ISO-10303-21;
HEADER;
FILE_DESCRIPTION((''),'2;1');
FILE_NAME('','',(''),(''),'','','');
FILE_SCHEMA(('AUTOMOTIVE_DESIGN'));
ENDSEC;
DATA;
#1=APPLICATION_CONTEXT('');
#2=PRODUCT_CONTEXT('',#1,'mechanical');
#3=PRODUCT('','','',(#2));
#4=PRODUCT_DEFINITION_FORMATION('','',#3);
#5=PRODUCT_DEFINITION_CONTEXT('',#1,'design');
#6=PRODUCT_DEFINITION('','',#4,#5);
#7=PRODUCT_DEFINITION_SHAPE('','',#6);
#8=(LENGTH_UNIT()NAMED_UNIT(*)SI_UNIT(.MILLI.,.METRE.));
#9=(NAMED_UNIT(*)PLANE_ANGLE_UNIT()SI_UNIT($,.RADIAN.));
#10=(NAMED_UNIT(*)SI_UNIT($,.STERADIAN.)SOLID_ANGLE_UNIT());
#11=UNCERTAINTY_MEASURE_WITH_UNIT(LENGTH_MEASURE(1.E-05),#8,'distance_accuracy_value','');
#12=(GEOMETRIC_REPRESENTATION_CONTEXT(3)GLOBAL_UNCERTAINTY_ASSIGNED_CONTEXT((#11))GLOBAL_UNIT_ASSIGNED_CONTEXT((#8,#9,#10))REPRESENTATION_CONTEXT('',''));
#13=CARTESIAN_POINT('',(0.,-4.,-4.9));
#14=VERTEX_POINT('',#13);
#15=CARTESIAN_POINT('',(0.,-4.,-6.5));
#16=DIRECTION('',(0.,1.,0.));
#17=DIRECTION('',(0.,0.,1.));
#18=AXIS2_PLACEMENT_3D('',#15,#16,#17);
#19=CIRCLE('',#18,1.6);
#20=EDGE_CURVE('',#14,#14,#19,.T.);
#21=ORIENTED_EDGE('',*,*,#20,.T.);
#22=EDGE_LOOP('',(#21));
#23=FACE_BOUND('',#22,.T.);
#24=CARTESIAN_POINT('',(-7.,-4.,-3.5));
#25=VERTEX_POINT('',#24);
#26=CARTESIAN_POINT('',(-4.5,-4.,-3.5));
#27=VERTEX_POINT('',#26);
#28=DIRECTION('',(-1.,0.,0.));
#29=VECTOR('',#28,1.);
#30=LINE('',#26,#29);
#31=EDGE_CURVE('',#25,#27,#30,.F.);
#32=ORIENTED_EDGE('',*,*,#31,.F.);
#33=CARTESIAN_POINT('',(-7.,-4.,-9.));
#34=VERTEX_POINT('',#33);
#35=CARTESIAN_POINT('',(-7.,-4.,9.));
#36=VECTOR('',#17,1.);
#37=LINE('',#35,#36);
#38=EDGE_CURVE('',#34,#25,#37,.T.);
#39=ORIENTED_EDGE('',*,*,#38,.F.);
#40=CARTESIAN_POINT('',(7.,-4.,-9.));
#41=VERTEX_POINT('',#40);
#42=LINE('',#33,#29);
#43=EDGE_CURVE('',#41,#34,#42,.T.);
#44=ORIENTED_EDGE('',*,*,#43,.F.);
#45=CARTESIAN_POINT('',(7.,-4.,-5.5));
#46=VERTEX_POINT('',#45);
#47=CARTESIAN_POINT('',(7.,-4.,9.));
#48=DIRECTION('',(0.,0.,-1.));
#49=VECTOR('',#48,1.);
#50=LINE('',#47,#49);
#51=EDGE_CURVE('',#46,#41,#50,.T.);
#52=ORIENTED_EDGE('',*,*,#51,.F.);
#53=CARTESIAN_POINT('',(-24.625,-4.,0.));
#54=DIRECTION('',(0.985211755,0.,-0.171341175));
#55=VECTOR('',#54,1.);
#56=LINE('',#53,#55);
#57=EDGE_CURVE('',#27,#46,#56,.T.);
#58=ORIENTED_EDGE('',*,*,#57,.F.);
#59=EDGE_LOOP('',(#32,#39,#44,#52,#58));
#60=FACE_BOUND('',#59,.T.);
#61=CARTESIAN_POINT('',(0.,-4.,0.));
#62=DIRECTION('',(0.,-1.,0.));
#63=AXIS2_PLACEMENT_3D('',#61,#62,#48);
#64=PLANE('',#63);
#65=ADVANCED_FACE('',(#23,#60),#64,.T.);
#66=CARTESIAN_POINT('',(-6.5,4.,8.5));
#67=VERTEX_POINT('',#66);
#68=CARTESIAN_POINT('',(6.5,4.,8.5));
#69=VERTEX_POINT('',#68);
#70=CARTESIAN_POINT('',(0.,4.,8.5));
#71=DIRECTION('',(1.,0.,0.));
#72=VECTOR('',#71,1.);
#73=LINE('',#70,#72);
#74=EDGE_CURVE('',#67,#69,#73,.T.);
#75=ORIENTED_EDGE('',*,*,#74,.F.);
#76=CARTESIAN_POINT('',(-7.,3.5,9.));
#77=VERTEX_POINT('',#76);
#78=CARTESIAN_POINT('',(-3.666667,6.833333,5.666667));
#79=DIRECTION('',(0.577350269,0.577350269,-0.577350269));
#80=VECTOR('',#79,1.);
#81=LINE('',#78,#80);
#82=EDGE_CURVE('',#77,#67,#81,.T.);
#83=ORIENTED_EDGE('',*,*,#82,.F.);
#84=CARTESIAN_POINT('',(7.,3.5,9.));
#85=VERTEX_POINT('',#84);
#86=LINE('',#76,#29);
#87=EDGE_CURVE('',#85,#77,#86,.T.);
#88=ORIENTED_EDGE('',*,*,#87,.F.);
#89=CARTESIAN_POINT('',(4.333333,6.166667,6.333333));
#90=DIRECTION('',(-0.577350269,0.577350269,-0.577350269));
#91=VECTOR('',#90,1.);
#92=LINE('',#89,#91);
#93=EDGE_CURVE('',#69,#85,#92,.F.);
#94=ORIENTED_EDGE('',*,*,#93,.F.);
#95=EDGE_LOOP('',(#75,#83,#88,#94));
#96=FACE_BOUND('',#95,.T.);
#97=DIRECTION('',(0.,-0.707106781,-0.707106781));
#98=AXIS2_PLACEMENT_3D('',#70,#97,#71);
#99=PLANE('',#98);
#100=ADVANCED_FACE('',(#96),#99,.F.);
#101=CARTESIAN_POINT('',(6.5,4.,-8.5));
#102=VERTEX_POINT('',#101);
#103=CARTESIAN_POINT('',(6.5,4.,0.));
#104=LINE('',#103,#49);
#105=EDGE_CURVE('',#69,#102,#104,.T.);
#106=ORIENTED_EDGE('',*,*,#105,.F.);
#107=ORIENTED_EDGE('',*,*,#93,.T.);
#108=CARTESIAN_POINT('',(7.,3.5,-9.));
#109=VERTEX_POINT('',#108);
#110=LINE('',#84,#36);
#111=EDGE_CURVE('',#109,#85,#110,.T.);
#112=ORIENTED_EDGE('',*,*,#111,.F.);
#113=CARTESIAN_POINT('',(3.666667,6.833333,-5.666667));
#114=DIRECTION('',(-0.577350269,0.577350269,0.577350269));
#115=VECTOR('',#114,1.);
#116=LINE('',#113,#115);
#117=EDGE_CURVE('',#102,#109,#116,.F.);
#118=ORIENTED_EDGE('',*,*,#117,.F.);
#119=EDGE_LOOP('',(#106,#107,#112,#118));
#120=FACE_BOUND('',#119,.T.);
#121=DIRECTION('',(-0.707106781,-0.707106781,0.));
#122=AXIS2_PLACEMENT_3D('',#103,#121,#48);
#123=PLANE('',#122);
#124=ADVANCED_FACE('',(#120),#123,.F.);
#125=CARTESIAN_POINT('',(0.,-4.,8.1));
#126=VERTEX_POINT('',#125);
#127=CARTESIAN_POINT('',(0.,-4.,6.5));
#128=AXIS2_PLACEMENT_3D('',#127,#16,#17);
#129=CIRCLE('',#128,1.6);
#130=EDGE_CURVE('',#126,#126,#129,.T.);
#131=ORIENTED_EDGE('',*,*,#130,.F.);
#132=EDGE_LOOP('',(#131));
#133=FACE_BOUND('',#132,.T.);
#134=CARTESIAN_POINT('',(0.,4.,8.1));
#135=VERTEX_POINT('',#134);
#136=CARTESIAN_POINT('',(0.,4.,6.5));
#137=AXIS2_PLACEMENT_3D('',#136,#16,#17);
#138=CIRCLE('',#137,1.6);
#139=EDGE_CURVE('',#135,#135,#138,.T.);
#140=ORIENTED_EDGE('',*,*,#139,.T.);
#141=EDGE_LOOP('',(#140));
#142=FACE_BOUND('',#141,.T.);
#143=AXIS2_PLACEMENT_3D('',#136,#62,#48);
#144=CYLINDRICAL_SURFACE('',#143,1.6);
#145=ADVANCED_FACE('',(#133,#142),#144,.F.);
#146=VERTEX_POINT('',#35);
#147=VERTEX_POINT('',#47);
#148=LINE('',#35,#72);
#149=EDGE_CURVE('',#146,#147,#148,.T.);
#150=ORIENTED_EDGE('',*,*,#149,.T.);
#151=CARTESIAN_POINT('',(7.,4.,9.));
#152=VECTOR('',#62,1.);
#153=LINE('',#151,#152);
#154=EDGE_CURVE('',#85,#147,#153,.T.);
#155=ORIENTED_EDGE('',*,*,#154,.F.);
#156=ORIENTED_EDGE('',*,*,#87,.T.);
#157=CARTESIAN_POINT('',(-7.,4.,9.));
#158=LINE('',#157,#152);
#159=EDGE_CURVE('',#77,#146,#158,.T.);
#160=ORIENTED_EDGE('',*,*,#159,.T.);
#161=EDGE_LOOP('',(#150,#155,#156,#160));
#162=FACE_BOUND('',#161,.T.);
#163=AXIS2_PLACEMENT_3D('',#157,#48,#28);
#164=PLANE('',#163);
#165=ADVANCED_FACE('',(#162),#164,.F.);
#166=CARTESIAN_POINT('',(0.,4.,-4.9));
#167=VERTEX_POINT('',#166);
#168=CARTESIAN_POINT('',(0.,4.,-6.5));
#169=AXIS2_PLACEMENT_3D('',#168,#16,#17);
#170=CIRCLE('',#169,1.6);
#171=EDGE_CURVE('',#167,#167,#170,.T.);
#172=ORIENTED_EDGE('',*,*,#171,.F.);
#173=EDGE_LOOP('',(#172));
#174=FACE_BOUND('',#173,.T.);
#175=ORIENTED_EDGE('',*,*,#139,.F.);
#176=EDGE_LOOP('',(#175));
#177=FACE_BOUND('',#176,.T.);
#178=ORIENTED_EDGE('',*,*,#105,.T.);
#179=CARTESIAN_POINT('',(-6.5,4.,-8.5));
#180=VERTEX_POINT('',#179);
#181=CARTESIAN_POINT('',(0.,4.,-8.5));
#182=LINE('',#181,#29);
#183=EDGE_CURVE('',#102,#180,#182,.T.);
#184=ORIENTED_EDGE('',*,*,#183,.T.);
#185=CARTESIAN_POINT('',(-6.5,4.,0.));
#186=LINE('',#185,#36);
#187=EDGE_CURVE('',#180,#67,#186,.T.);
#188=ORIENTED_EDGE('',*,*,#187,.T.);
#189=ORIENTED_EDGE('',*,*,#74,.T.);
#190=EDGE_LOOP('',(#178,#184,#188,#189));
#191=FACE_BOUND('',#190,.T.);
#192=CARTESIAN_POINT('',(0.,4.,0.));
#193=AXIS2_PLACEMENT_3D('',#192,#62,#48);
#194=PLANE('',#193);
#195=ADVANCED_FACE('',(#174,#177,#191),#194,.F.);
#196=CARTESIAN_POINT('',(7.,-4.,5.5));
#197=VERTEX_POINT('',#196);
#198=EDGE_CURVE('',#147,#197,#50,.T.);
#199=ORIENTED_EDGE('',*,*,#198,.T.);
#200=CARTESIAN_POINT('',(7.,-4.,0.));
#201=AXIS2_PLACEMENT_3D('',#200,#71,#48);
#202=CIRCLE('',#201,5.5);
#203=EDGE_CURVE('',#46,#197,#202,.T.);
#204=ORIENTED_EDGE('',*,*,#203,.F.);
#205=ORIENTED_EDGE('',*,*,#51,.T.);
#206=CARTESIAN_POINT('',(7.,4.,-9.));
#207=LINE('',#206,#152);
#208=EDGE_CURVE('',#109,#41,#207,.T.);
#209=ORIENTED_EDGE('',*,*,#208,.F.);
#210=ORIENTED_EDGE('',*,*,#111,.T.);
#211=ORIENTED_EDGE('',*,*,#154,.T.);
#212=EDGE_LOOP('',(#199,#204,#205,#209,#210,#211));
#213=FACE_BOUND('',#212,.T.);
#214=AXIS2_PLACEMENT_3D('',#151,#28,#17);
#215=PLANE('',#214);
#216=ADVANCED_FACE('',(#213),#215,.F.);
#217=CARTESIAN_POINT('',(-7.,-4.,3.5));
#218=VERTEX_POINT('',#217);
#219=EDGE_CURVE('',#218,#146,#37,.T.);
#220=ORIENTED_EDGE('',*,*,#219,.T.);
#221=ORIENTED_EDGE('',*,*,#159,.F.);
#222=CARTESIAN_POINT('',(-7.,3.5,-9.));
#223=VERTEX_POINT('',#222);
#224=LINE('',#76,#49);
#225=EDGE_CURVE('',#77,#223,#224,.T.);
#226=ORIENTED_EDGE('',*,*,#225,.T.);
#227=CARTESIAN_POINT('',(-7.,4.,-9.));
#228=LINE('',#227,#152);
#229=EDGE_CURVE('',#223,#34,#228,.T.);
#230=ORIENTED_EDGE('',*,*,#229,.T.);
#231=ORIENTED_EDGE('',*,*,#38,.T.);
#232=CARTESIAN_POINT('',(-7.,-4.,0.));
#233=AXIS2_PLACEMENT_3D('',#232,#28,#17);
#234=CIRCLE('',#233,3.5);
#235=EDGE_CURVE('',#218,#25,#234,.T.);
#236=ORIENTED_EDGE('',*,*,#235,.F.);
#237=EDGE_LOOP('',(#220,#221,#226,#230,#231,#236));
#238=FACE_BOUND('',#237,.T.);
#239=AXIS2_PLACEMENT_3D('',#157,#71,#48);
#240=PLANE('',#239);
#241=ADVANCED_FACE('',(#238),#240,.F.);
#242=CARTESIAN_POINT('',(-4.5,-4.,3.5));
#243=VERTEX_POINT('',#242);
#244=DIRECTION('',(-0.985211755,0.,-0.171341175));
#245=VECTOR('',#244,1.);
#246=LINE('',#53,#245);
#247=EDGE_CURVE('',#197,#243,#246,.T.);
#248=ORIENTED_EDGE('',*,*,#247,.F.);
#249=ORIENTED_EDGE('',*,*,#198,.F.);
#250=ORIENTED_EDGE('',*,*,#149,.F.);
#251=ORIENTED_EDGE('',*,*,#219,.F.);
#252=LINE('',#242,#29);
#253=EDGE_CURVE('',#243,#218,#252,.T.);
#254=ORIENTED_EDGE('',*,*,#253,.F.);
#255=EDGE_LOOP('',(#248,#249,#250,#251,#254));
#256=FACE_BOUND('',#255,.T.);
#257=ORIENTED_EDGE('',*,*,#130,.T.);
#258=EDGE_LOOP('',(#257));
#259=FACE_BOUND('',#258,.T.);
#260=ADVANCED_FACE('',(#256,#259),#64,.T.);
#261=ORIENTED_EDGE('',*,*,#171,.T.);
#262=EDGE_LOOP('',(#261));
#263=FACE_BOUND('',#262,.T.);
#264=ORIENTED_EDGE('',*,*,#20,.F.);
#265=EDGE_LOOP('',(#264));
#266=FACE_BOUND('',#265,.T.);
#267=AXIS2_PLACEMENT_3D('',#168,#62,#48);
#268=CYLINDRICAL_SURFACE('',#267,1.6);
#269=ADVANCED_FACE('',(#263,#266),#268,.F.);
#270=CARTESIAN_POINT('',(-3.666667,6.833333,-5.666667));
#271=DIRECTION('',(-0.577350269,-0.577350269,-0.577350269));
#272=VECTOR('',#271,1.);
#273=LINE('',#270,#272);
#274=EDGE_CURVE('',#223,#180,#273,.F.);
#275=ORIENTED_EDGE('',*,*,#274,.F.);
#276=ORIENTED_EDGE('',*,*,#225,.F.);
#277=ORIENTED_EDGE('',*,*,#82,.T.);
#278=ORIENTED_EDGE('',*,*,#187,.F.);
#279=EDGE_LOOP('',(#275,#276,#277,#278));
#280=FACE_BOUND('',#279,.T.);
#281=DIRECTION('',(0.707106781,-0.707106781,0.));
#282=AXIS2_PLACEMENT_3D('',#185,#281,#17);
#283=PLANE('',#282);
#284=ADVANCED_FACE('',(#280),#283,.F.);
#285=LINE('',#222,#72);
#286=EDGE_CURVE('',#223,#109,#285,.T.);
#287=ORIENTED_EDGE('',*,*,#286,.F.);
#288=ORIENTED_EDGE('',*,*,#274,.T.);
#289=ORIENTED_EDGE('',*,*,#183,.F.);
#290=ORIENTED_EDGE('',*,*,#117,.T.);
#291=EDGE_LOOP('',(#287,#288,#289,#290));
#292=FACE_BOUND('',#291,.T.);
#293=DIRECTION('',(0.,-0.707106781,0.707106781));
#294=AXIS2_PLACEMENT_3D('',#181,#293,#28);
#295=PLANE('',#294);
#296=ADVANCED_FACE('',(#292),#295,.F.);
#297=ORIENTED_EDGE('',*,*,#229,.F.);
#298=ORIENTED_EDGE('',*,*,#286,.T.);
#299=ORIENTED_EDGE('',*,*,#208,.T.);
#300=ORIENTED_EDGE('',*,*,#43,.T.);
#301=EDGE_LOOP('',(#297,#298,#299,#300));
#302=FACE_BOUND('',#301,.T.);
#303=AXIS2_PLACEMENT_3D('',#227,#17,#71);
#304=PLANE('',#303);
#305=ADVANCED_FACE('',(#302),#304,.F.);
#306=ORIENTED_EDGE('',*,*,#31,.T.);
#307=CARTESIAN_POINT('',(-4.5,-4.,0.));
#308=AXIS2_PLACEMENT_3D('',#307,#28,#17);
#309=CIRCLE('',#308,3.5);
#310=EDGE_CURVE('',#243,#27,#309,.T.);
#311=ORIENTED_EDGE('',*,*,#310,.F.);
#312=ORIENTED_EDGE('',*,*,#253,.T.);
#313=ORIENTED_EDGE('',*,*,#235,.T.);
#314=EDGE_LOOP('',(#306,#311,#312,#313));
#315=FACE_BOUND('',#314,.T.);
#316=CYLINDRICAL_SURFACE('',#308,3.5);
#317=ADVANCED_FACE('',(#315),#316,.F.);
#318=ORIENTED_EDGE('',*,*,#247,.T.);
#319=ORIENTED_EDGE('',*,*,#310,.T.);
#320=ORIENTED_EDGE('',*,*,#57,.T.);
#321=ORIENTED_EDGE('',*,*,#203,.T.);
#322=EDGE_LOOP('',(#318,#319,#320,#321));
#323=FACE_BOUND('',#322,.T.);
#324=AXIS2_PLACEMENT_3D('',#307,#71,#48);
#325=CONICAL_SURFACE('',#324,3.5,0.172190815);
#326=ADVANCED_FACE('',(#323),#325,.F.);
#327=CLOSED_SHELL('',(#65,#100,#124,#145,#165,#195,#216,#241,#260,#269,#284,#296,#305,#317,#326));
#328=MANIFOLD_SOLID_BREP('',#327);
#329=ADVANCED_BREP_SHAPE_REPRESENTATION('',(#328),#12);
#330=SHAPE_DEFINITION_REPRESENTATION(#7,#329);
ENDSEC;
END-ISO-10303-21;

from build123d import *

# Parameters (mm, degrees)
SKETCH_1_W          = 14
SKETCH_1_H          = 18
SKETCH_1_R          = 1.6
EXTRUDE_1_DEPTH     = 4
SKETCH_2_R          = 3.5
CUT_EXTRUDE_1_DEPTH = 2.5
SKETCH_4_R          = 5.5
SKETCH_3_R          = 3.5
CHAMFER_1_SIZE      = 0.5


with BuildPart() as part:
    # 草圖1 → 填料-伸長1 (new body, symmetric)
    with BuildSketch(Plane(origin=(0, 0, 0), x_dir=(1, 0, 0), z_dir=(0, 1, 0))):
        Rectangle(SKETCH_1_W, SKETCH_1_H)
        with Locations((0, 6.5)):
            Circle(SKETCH_1_R, mode=Mode.SUBTRACT)
        with Locations((0, -6.5)):
            Circle(SKETCH_1_R, mode=Mode.SUBTRACT)
    extrude(amount=EXTRUDE_1_DEPTH, both=True)

    # 草圖2 → 除料-伸長1 (cut)
    with BuildSketch(Plane.ZY.offset(7)):
        with Locations((0, -4)):
            Circle(SKETCH_2_R)
    extrude(amount=-CUT_EXTRUDE_1_DEPTH, mode=Mode.SUBTRACT)

    # 草圖4 → 除料-疊層拉伸1 section 0
    with BuildSketch(Plane(origin=(7, 0, 0), x_dir=(0, 0, -1), z_dir=(1, 0, 0))):
        with Locations((0, -4)):
            Circle(SKETCH_4_R)
    # 草圖3 → 除料-疊層拉伸1 section 1
    with BuildSketch(Plane.ZY.offset(4.5)):
        with Locations((0, -4)):
            Circle(SKETCH_3_R)
    loft(mode=Mode.SUBTRACT)

    # 導角1
    chamfer_1_edges = [part.edges().sort_by_distance(p)[0] for p in [
        (-7, 4, 0),
        (0, 4, 9),
        (7, 4, 0),
        (0, 4, -9),
    ]]
    chamfer(chamfer_1_edges, length=CHAMFER_1_SIZE)


solid = part.part
